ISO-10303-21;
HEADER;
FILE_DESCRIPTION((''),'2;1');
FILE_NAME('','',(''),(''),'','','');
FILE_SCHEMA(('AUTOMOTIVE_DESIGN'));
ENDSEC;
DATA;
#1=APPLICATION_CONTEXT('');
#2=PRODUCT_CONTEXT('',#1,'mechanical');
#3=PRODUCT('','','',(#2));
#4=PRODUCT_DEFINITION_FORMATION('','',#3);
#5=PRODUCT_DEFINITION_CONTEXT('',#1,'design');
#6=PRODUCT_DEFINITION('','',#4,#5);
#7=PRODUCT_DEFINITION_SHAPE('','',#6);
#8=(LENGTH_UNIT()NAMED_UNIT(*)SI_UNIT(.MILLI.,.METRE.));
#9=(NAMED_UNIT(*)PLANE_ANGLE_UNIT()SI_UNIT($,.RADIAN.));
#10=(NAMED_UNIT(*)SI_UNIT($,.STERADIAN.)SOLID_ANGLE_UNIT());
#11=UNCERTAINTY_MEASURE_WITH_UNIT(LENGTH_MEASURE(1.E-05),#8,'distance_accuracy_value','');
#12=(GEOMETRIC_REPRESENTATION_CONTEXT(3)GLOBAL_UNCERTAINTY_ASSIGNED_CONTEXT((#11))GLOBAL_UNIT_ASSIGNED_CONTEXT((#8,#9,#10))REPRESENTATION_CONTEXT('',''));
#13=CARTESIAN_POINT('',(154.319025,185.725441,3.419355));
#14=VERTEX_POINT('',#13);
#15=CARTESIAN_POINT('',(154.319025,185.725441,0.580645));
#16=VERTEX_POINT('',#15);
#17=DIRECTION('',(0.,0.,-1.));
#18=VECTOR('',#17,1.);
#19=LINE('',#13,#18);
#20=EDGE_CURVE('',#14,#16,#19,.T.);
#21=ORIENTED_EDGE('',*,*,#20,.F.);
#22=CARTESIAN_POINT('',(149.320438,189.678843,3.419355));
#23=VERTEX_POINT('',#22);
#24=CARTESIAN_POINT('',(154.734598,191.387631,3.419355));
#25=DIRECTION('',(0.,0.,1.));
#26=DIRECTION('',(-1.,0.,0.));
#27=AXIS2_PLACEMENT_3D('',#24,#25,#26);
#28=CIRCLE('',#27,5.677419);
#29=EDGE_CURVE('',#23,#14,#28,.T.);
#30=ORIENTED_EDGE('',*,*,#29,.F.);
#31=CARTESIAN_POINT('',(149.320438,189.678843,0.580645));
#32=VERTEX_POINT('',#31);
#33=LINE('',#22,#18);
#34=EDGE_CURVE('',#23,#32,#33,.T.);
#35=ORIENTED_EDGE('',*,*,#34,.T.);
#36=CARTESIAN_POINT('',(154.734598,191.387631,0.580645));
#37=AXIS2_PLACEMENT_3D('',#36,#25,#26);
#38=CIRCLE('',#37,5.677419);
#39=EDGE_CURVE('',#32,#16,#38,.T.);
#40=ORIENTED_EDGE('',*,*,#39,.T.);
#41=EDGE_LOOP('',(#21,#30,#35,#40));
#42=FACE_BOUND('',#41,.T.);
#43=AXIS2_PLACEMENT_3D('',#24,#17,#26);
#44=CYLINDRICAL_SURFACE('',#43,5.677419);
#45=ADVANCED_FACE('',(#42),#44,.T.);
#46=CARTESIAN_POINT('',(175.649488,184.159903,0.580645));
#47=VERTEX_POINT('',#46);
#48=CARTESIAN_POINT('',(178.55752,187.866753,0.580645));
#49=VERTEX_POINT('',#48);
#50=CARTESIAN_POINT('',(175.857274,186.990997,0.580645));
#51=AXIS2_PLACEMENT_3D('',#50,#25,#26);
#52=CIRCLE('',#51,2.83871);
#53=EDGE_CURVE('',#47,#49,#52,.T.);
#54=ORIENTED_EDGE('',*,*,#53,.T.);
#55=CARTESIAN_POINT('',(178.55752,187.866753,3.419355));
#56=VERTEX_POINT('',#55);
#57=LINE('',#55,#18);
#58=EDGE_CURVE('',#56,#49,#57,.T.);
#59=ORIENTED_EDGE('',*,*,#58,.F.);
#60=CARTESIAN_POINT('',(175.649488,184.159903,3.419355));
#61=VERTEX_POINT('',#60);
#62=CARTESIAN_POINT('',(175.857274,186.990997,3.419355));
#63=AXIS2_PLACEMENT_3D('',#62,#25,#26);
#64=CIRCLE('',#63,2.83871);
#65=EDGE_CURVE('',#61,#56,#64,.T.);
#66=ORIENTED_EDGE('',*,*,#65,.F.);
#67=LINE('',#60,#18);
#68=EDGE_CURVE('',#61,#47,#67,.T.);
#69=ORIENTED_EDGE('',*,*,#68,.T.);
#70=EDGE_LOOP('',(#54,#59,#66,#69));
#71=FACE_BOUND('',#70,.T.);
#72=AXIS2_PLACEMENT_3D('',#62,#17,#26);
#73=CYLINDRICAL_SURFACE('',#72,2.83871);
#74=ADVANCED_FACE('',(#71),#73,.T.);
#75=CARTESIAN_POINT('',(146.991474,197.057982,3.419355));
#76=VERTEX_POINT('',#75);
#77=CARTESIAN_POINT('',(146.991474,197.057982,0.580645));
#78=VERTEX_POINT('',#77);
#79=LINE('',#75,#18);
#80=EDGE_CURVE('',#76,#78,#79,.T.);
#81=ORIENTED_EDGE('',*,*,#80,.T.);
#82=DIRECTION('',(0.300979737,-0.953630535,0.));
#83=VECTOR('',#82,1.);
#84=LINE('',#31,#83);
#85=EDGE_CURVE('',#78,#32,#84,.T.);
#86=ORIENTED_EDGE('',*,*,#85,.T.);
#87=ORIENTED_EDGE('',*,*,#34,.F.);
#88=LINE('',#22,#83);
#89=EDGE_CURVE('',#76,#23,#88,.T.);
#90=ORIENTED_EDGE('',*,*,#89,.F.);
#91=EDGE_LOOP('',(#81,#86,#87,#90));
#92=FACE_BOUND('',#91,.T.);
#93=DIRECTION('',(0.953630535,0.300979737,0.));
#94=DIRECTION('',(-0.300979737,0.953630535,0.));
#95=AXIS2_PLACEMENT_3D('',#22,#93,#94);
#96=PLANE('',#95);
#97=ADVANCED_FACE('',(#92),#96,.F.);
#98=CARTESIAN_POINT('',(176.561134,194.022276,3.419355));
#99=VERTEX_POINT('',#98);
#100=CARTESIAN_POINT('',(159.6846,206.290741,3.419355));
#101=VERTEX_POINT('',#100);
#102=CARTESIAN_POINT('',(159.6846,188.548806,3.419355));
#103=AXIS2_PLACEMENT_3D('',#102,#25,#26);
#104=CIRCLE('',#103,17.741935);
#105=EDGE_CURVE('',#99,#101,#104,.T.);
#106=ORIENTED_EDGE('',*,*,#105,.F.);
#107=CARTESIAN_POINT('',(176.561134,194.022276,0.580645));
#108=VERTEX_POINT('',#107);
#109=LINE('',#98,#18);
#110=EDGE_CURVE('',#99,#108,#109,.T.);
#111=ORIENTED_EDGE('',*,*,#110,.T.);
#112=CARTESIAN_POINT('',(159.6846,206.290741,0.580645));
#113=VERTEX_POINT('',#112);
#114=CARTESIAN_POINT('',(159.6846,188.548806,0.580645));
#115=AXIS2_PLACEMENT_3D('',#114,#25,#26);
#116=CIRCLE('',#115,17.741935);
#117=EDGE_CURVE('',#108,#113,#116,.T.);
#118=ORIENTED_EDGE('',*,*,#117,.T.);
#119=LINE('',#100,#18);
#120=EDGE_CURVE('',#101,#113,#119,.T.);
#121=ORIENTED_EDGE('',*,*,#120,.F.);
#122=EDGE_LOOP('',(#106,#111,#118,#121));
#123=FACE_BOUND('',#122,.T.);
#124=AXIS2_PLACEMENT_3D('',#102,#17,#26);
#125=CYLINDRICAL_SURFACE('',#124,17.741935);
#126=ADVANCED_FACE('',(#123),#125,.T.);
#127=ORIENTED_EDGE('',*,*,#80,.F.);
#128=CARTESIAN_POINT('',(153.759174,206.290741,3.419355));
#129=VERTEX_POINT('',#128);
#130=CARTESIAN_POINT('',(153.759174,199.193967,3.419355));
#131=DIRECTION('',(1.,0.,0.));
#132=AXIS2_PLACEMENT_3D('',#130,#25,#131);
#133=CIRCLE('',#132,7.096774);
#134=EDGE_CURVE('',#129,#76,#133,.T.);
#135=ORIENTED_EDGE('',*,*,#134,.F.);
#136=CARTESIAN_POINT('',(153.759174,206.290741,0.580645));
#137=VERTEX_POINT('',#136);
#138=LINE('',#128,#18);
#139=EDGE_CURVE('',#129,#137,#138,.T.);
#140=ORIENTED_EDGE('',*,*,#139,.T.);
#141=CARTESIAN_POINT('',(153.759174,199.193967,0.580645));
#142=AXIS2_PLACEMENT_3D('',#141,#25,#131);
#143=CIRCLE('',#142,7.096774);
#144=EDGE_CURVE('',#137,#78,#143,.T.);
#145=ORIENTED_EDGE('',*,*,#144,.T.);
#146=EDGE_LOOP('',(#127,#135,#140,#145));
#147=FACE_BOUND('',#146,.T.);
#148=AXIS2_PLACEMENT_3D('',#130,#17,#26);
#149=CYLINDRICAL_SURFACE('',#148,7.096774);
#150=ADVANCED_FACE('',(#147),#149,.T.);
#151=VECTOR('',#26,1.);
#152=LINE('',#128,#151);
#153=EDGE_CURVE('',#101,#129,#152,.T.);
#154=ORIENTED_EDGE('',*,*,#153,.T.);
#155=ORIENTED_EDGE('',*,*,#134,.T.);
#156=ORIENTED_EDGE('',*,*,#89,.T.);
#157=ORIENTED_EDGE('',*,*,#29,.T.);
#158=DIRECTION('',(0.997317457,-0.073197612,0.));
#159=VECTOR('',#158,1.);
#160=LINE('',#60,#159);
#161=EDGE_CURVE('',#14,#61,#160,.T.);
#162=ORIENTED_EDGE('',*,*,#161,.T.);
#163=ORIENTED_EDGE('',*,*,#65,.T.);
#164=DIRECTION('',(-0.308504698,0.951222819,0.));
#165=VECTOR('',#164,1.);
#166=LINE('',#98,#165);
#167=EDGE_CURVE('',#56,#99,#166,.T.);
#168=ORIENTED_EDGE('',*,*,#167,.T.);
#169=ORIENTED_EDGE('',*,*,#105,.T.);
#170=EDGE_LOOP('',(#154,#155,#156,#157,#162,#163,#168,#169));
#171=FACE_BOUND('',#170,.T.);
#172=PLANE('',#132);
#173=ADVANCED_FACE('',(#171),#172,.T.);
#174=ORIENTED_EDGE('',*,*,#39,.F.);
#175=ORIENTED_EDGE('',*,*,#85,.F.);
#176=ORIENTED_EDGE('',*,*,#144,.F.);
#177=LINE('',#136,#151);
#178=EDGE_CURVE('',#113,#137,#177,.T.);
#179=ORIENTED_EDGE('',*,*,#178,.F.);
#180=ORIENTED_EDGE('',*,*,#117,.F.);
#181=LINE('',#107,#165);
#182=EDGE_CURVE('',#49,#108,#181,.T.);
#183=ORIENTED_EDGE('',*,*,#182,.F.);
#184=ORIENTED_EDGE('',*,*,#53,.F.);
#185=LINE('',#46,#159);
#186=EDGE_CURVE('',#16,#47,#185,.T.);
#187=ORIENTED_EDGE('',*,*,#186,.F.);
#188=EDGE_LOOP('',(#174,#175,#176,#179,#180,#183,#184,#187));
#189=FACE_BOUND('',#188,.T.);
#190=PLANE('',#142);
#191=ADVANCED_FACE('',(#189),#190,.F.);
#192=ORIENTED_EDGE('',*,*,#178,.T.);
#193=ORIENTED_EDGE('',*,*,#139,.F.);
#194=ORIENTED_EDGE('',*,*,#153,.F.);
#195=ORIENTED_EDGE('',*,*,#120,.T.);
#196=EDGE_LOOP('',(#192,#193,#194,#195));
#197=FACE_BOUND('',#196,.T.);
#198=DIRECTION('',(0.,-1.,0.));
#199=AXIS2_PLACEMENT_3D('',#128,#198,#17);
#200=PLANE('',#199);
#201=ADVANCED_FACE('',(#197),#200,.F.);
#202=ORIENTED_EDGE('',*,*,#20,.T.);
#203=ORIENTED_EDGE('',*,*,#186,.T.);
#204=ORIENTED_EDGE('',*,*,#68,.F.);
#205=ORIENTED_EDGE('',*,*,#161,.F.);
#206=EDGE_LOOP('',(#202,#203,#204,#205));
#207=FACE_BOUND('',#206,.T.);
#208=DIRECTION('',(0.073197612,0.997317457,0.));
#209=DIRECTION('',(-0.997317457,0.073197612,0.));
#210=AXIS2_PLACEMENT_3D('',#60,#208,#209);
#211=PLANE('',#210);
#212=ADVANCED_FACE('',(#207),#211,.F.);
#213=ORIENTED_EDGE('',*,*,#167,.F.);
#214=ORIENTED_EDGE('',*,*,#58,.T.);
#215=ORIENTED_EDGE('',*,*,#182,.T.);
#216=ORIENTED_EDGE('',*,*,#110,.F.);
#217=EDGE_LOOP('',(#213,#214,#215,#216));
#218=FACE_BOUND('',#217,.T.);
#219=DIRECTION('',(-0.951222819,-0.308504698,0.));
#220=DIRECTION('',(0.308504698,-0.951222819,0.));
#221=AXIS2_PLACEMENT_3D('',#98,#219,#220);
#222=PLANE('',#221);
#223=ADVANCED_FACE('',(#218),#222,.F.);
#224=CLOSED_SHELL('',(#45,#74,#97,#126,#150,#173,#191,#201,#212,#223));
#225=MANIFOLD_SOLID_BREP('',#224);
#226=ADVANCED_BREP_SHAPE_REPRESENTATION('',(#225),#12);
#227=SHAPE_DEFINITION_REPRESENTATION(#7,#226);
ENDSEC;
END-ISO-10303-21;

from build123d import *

# Parameters (mm, degrees)
BOSS_EXTRUDE1_DEPTH = 4
SCALE1_SCALE        = 0.709677419


with BuildPart() as part:
    # Sketch1 → Boss-Extrude1 (new body)
    with BuildSketch(Plane.XY):
        with BuildLine():
            Line((150.379434294, 210.939689278), (158.72889788, 210.939689278))
            ThreePointArc((158.72889788, 210.939689278), (173.428975494, 206.161156043), (182.509468353, 193.652306729))
            Line((182.509468353, 193.652306729), (185.322557622, 184.978614816))
            ThreePointArc((185.322557622, 184.978614816), (184.66479187, 181.275668941), (181.2248759, 179.755326197))
            Line((181.2248759, 179.755326197), (151.16831456, 181.96131235))
            ThreePointArc((151.16831456, 181.96131235), (146.791215107, 183.665156491), (144.12485117, 187.532014108))
            Line((144.12485117, 187.532014108), (140.843128941, 197.929891907))
            ThreePointArc((140.843128941, 197.929891907), (142.314139082, 206.851627467), (150.379434294, 210.939689278))
        make_face()
    extrude(amount=BOSS_EXTRUDE1_DEPTH)


with BuildPart() as part_1:
    # Scale1: scaled about (162.020760572, 194.926645474, 2)
    add(part.part.scale(SCALE1_SCALE).moved(Location((47.038285327, 56.591606751, 0.580645161))))


solid = part_1.part
